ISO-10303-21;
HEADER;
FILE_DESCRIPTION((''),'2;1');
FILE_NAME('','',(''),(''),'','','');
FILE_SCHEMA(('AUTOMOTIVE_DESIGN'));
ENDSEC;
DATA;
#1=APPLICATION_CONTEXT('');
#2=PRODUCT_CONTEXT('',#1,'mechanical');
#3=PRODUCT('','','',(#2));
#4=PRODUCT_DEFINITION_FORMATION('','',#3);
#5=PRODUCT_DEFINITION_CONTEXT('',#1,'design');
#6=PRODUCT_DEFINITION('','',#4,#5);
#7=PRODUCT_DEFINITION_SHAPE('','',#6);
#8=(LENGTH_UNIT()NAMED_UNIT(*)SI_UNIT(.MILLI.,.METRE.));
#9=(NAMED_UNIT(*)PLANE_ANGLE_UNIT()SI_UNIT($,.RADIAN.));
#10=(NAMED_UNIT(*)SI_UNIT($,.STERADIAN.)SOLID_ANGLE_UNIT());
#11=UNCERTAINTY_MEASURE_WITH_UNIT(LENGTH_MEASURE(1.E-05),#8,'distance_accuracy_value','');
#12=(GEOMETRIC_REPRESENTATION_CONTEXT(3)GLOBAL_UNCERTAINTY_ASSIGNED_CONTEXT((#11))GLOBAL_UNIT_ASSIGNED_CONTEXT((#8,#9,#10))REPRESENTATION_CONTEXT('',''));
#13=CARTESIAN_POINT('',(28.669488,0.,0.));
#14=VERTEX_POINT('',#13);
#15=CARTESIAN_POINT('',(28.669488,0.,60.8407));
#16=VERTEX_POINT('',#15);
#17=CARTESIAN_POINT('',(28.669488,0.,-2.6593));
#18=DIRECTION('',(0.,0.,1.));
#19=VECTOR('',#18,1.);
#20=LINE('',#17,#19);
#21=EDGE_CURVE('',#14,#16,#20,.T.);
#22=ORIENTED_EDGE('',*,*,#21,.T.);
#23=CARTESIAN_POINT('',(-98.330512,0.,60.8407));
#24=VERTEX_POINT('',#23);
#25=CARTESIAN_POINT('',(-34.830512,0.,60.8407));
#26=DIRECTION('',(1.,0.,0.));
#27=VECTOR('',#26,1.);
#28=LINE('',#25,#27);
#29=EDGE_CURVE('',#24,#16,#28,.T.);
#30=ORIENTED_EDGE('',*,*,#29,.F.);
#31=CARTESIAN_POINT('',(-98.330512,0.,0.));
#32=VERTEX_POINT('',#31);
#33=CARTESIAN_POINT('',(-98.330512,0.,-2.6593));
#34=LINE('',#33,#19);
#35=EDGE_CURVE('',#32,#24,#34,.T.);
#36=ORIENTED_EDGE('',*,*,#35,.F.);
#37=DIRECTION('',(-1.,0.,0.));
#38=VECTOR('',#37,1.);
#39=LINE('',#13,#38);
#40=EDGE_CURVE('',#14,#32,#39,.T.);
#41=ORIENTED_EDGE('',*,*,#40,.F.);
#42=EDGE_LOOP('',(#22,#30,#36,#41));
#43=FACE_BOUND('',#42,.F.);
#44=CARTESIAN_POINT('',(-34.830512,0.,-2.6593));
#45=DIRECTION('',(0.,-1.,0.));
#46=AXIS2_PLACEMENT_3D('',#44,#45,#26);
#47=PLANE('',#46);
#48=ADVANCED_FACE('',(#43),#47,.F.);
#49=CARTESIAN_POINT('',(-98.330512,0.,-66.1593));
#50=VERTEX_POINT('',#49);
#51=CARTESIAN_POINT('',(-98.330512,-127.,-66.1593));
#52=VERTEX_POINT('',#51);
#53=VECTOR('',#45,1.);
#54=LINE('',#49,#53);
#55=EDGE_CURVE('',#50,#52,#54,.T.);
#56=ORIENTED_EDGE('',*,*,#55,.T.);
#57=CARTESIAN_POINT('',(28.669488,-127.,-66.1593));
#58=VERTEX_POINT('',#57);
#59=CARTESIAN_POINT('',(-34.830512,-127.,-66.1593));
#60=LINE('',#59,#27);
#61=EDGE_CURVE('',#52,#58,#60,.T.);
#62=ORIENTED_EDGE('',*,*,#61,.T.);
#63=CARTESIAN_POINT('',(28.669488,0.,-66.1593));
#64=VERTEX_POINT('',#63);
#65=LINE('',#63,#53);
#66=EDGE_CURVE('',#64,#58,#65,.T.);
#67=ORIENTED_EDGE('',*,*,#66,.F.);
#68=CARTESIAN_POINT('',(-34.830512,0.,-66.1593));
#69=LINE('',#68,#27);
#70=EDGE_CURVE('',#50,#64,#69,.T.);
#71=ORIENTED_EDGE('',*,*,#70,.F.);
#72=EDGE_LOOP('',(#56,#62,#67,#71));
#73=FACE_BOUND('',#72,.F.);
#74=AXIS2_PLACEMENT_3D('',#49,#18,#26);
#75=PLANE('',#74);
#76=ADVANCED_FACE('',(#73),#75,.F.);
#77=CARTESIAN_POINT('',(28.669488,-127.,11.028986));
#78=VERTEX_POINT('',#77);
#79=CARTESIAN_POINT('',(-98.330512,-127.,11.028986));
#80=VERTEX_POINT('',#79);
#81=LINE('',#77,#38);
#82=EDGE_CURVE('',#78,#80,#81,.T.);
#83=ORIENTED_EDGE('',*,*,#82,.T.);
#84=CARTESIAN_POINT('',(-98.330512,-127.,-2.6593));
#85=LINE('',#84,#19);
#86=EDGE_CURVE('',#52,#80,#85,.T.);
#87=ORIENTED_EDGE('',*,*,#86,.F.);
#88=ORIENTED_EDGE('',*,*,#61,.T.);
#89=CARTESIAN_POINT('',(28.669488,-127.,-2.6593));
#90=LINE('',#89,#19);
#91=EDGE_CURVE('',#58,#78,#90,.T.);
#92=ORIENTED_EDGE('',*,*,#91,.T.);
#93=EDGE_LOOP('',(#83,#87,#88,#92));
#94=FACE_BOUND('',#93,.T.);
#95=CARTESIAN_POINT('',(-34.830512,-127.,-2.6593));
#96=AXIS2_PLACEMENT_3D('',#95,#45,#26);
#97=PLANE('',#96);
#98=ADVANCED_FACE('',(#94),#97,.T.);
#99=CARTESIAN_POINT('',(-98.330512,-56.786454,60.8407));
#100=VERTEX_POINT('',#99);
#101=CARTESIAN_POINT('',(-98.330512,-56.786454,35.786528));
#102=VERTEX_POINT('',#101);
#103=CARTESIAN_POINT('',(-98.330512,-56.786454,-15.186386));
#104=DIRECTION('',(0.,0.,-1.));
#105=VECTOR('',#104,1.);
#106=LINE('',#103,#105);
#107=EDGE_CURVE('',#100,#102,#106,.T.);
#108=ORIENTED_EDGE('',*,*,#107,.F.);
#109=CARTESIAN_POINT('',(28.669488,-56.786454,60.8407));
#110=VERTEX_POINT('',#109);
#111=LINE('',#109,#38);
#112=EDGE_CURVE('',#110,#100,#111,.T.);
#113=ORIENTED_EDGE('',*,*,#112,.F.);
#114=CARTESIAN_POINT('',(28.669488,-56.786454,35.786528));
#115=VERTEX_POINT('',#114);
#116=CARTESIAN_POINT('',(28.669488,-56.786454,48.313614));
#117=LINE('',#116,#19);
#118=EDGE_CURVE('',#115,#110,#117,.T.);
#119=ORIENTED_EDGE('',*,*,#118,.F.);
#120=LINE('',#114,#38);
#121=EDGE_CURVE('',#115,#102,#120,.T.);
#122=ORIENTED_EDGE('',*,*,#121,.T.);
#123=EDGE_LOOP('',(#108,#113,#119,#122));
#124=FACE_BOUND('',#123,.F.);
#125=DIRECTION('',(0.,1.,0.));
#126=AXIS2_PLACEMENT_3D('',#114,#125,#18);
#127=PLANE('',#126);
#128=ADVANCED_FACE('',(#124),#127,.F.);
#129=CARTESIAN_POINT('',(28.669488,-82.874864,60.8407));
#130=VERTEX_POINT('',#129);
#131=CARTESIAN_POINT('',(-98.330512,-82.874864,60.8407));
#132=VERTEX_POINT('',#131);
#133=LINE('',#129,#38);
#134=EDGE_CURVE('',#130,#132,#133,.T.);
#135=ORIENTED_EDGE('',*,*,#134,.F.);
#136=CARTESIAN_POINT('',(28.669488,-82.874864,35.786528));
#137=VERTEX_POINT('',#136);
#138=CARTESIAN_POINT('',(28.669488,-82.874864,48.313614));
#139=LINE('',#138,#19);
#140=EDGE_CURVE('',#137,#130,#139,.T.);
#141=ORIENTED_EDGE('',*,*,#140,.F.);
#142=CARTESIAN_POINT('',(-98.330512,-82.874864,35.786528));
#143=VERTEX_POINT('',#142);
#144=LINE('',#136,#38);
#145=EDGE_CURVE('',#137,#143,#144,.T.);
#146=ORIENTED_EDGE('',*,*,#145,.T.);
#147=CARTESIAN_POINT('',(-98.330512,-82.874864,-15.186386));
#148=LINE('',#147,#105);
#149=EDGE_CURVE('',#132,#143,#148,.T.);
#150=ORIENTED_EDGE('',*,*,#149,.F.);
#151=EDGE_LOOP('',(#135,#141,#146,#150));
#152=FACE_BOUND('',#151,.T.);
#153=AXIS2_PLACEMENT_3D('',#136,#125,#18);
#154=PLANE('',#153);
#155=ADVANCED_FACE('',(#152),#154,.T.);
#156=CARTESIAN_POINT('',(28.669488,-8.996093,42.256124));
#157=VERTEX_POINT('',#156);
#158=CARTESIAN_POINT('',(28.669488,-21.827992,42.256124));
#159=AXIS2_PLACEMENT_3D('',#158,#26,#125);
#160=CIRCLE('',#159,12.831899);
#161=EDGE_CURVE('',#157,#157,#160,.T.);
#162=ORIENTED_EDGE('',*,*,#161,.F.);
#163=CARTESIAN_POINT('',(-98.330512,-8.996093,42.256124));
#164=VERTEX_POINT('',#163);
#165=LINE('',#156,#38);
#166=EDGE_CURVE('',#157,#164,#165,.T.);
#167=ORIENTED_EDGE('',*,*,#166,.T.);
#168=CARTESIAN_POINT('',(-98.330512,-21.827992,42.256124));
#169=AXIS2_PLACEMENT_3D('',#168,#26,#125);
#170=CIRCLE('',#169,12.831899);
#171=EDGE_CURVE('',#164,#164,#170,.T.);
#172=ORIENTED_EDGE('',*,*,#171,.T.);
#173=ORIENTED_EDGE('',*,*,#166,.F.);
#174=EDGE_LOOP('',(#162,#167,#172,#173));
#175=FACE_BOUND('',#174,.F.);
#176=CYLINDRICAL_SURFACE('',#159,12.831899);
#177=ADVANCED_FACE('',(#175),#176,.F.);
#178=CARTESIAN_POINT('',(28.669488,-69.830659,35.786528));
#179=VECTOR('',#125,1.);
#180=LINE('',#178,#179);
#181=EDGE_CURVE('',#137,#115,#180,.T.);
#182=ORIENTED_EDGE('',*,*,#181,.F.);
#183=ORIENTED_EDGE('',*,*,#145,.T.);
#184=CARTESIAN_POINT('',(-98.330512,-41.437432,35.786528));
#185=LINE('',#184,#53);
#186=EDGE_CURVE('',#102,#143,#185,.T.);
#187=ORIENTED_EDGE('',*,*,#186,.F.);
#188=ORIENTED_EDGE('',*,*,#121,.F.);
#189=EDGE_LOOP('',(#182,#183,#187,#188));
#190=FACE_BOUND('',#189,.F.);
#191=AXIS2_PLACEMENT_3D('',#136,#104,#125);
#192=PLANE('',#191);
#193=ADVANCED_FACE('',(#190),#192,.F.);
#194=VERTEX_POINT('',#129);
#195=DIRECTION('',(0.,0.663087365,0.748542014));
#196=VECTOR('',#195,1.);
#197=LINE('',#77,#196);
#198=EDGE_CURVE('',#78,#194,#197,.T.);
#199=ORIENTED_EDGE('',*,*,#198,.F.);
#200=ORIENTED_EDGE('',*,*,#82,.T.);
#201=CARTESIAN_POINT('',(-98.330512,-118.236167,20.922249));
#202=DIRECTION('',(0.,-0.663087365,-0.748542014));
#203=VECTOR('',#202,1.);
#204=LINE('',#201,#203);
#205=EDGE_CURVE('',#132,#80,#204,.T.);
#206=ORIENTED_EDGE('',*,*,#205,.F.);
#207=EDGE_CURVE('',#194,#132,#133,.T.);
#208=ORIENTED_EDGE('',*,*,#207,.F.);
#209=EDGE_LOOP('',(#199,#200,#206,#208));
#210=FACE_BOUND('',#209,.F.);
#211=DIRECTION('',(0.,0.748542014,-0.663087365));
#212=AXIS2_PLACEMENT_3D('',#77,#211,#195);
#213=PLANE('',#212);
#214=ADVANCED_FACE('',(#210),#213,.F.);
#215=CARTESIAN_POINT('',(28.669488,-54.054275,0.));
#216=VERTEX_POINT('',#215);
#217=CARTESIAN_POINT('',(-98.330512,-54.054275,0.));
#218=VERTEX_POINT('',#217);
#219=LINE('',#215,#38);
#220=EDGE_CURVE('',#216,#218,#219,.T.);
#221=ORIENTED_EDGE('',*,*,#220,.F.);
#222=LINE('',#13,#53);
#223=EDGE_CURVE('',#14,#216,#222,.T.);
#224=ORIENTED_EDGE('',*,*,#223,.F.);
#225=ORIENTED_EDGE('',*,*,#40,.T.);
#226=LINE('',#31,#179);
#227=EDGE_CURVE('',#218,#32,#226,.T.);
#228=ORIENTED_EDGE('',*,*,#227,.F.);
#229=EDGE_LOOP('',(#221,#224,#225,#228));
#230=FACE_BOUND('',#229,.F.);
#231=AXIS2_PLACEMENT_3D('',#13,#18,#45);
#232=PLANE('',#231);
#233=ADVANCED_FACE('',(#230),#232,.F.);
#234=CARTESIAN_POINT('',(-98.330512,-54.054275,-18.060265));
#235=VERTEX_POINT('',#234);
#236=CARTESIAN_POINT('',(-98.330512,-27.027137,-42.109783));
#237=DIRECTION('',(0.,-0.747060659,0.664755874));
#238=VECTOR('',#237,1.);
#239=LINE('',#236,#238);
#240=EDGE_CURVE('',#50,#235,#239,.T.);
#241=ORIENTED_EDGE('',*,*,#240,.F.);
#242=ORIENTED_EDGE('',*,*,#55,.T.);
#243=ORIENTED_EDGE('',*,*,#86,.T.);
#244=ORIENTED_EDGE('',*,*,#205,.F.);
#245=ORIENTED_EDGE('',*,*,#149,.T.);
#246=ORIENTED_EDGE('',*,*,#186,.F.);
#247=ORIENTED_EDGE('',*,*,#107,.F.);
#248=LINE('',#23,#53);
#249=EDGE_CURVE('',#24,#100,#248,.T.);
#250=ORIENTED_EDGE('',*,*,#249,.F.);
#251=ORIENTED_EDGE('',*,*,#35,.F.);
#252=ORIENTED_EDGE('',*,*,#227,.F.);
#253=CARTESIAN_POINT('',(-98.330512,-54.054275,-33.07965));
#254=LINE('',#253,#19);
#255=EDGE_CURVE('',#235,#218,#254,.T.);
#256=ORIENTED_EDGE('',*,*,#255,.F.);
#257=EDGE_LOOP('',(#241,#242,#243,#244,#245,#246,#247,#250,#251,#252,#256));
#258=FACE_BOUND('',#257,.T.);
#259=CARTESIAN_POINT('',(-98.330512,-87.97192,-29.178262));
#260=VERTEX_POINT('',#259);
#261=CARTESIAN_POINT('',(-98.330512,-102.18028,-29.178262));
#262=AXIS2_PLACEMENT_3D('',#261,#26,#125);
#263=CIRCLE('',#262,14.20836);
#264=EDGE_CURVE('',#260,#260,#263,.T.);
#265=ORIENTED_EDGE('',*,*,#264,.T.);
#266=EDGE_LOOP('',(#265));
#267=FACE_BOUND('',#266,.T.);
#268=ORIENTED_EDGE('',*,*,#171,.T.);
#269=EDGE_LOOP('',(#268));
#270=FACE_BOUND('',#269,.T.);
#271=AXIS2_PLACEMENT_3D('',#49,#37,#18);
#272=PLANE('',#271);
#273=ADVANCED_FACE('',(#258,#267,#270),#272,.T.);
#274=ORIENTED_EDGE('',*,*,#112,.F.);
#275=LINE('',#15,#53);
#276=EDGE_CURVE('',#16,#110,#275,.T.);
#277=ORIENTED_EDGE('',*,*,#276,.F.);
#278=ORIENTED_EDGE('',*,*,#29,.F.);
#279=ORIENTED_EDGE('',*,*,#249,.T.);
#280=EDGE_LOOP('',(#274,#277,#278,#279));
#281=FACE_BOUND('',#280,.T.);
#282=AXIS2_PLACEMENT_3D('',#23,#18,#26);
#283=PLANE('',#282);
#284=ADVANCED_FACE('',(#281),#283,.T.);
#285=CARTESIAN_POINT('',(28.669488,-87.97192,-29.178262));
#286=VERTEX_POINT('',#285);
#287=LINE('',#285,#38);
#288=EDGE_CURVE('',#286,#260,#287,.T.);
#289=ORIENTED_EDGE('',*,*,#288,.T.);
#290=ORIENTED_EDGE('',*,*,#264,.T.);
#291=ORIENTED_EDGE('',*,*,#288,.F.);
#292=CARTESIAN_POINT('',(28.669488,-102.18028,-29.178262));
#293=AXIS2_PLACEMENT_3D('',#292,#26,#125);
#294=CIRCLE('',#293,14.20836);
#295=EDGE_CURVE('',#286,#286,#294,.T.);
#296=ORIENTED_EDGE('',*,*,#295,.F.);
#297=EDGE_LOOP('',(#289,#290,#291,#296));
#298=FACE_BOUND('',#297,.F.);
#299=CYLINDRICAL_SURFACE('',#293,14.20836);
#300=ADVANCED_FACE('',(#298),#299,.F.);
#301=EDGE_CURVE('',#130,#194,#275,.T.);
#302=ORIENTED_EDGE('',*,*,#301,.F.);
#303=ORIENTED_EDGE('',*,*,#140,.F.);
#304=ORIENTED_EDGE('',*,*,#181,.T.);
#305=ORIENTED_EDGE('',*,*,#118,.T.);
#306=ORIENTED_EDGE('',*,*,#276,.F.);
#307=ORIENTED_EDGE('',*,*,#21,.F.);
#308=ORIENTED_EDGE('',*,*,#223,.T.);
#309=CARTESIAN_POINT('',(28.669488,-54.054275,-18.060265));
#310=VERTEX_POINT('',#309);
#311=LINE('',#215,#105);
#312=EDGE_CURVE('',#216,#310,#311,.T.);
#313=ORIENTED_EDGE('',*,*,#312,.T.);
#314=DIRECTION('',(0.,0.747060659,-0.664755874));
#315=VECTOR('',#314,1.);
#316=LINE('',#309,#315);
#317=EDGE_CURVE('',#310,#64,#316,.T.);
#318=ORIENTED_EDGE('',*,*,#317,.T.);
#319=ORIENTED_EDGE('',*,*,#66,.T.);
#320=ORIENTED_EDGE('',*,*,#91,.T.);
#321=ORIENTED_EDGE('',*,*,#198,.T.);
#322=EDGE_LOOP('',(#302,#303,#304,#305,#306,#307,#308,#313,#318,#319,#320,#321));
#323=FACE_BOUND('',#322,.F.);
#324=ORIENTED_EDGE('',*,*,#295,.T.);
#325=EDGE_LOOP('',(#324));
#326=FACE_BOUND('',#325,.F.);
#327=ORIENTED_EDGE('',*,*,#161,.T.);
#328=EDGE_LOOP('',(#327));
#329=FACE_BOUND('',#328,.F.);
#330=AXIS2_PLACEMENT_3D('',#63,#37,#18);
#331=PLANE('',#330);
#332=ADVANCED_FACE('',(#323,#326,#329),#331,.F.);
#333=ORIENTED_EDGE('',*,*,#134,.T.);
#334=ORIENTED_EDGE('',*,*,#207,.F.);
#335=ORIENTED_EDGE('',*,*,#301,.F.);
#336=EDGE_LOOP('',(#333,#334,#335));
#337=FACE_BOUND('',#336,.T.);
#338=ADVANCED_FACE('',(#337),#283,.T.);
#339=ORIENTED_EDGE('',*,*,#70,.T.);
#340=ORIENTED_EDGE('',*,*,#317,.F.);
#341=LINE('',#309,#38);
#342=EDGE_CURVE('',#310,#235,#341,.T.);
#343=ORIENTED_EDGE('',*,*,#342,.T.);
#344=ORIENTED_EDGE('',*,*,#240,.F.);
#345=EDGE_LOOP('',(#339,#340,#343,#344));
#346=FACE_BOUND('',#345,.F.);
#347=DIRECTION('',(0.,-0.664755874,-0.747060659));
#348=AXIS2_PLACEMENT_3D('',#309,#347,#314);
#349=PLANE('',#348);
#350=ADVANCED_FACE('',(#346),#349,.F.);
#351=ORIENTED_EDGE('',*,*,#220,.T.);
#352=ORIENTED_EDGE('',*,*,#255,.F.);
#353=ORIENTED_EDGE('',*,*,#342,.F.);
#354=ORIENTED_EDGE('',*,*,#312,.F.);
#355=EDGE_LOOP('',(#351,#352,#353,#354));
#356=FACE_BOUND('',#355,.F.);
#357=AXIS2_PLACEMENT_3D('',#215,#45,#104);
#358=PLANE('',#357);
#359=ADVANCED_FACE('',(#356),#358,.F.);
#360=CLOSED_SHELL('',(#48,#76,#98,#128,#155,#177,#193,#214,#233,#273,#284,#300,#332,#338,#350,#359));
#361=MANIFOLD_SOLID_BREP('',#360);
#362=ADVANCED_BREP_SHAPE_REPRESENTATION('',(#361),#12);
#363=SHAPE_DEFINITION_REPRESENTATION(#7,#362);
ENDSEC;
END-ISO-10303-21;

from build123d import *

# Parameters (mm, degrees)
F0_W      = 127
F0_H      = 127
F1_DEPTH  = 127
F2_W      = 26.088409
F2_H      = 25.054172
F3_DEPTH  = 127.001
F5_DEPTH  = 127.001
F6_R      = 12.831899
F7_DEPTH  = 127.001
F8_R      = 14.20836
F9_DEPTH  = 127.001
F11_DEPTH = 127.001


with BuildPart() as f1:
    # F0 (on Front) → F1 (new body)
    with BuildSketch(Plane.XZ):
        with Locations((-34.830512, -2.6593)):
            Rectangle(F0_W, F0_H)
    extrude(amount=F1_DEPTH)

    # F2 (on face) → F3 (cut, through all)
    with BuildSketch(Plane.YZ.offset(28.669488)):
        with Locations((-69.830659, 48.313614)):
            Rectangle(F2_W, F2_H)
    extrude(amount=-F3_DEPTH, mode=Mode.SUBTRACT)

    # F4 (on face) → F5 (cut, through all)
    with BuildSketch(Plane.YZ.offset(28.669488)):
        Polygon((-127, 11.028986), (-82.874864, 60.8407), (-127, 60.8407), align=None)
    extrude(amount=-F5_DEPTH, mode=Mode.SUBTRACT)

    # F6 (on face) → F7 (cut, through all)
    with BuildSketch(Plane.YZ.offset(28.669488)):
        with Locations((-21.827992, 42.256124)):
            Circle(F6_R)
    extrude(amount=-F7_DEPTH, mode=Mode.SUBTRACT)

    # F8 (on face) → F9 (cut, through all)
    with BuildSketch(Plane.YZ.offset(28.669488)):
        with Locations((-102.18028, -29.178262)):
            Circle(F8_R)
    extrude(amount=-F9_DEPTH, mode=Mode.SUBTRACT)

    # F10 (on face) → F11 (cut, through all)
    with BuildSketch(Plane.YZ.offset(28.669488)):
        Polygon((0, -66.1593), (0, 0), (-54.054275, 0), (-54.054275, -18.060265), align=None)
    extrude(amount=-F11_DEPTH, mode=Mode.SUBTRACT)


solid = f1.part
